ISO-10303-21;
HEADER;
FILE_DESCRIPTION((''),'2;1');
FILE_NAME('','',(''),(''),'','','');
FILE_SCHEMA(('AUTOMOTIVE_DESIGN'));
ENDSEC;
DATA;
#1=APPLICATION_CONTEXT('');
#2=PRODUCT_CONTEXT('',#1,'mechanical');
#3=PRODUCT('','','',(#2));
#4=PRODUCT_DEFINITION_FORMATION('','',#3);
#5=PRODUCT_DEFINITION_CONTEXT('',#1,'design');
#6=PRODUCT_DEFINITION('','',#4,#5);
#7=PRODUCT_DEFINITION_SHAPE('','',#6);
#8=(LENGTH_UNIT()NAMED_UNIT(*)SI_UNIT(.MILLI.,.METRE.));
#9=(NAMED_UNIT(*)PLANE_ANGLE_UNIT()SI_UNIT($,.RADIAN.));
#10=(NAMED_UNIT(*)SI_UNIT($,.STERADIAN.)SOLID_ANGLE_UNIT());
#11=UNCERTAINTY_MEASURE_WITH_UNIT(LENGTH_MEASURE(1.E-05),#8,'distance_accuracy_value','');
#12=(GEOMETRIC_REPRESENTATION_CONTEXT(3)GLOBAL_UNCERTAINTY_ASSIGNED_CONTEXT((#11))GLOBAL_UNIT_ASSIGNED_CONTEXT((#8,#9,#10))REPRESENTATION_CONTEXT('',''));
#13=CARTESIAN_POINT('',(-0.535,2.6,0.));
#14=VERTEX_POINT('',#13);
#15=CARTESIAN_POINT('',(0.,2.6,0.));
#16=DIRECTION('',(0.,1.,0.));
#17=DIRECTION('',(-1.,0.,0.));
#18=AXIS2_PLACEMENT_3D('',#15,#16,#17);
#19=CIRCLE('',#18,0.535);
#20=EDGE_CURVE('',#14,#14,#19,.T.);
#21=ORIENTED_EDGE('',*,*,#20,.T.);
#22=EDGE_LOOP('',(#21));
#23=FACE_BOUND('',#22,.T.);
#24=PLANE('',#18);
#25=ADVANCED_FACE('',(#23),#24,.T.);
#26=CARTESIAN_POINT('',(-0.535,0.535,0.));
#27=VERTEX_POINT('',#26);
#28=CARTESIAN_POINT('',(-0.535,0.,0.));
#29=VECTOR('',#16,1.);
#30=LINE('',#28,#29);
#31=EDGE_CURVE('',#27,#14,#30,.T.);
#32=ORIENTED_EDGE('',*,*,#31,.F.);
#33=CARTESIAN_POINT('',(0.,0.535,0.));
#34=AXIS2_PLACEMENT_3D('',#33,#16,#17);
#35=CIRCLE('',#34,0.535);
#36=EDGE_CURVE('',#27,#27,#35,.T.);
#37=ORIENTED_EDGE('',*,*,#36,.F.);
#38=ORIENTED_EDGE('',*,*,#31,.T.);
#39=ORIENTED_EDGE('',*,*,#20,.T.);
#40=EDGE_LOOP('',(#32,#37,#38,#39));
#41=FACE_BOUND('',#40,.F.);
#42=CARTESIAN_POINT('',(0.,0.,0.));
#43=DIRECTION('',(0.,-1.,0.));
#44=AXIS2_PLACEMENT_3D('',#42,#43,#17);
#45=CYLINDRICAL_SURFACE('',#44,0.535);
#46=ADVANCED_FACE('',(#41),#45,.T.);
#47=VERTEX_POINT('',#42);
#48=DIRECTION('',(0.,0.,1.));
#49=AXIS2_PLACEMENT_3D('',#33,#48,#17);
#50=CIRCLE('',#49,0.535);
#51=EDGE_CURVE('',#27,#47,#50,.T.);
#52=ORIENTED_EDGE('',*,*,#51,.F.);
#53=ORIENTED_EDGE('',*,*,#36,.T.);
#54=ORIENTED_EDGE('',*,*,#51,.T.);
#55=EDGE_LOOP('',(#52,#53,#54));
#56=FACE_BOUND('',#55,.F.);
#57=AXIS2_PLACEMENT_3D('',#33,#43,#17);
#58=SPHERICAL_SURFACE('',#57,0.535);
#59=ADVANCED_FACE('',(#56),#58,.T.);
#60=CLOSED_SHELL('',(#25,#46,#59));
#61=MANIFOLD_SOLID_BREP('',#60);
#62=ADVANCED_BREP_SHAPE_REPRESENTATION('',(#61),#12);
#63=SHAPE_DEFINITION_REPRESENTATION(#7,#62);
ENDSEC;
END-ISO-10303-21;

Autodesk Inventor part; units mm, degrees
ref_plane "YZ Plane" through (0, 0, 0) normal (1, 0, 0) x (0, 1, 0)
ref_plane "XZ Plane" through (0, 0, 0) normal (0, 1, 0) x (-1, 0, 0)
ref_plane "XY Plane" through (0, 0, 0) normal (0, 0, 1) x (1, 0, 0)
sketch "Sketch1" plane through (0, 0, 0) normal (0, 1, 0) x (-1, 0, 0)
  circle A0 centre (0, 0) radius 0.535
  dimension "d0" = 1.07
extrude "Extrusion1" add sketch "Sketch1" along normal blind 2.6
fillet "Fillet1" radius 0.535 1 edges at (0.535, 0, 0)
properties part number "pin" material "Gold"
